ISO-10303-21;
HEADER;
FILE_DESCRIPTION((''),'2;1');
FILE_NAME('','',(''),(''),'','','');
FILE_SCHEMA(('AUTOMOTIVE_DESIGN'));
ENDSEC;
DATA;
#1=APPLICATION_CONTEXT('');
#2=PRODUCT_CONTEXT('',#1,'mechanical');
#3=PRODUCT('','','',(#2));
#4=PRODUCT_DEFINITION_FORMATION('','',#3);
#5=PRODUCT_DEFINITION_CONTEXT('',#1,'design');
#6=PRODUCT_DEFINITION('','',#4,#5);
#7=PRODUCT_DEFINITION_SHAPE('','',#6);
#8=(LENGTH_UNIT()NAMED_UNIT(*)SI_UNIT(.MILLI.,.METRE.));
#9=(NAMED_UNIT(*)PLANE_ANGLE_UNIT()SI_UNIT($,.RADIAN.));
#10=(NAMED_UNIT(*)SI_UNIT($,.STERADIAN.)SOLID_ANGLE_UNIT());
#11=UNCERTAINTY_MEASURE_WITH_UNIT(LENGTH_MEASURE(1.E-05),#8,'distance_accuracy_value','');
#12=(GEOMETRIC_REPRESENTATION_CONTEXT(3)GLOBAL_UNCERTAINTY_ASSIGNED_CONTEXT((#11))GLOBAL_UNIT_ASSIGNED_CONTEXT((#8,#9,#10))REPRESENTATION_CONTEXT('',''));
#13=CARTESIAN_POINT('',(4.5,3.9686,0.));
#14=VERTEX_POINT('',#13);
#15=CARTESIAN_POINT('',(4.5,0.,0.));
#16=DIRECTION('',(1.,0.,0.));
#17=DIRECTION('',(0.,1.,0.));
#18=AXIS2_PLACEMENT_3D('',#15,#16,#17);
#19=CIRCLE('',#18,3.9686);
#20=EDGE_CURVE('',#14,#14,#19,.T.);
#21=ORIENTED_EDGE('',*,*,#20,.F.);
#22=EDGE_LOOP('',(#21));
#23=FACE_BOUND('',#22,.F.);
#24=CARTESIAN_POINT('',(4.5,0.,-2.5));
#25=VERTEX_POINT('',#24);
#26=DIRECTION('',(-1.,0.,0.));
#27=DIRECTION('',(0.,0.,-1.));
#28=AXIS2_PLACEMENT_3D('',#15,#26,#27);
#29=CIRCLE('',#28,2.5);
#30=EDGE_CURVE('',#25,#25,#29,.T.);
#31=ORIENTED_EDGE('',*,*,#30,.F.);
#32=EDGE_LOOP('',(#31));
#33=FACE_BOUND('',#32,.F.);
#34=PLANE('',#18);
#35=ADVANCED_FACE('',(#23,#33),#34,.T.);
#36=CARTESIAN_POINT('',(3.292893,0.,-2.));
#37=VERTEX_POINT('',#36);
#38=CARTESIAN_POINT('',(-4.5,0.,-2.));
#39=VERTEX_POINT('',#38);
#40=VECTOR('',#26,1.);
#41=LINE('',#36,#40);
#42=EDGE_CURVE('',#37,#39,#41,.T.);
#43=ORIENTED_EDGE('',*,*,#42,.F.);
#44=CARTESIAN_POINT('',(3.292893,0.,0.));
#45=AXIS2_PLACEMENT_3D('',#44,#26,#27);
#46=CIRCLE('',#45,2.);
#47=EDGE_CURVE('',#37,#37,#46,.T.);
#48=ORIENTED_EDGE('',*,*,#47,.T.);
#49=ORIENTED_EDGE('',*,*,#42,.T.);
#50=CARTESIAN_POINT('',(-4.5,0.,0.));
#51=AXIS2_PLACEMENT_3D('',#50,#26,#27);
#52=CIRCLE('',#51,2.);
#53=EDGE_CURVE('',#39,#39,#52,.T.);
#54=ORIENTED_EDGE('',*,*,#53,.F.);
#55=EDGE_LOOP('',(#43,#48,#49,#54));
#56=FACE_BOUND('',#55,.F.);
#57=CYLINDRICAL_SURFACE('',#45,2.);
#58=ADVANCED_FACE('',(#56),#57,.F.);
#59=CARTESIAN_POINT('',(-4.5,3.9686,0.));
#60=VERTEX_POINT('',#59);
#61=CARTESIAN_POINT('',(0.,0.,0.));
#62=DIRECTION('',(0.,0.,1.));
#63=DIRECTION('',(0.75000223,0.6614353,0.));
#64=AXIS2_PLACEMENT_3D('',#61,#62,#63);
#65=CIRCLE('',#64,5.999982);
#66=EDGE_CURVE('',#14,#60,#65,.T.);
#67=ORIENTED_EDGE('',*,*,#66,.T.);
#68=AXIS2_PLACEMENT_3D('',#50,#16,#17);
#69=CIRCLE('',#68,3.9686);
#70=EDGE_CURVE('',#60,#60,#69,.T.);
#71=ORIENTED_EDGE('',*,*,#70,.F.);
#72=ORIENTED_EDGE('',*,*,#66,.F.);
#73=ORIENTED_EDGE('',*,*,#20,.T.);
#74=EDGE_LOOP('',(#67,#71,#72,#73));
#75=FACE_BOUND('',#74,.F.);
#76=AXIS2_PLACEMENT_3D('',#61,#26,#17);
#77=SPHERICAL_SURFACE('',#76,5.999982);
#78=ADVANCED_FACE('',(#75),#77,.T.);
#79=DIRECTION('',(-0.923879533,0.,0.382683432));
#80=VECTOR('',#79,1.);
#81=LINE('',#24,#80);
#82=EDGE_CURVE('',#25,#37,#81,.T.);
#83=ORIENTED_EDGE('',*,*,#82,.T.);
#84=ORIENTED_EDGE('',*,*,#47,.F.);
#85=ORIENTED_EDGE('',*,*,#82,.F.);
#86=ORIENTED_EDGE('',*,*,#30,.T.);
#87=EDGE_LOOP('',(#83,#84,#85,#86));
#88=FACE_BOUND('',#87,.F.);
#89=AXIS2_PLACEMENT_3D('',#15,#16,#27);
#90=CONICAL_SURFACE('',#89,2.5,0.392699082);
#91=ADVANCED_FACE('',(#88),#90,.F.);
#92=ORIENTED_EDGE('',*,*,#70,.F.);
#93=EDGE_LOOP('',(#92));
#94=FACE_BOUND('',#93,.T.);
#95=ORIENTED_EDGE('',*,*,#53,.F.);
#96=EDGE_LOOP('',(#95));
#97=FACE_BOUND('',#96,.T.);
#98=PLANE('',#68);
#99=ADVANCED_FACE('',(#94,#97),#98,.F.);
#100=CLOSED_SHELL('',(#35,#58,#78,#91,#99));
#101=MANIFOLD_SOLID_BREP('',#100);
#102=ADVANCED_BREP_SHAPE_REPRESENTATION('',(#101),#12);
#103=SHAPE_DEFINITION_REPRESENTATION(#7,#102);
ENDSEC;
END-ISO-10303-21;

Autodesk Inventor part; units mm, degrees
ref_plane "YZ Plane" through (0, 0, 0) normal (1, 0, 0) x (0, 1, 0)
ref_plane "XZ Plane" through (0, 0, 0) normal (0, 1, 0) x (-1, 0, 0)
ref_plane "XY Plane" through (0, 0, 0) normal (0, 0, 1) x (1, 0, 0)
sketch "Sketch1" plane through (0, 0, 0) normal (0, 0, 1) x (1, 0, 0)
  arc A0 (-4.5, -3.9686) -> (4.5, -3.9686) centre (0, 0) ccw
  arc A1 (4.5, 3.9686) -> (-4.5, 3.9686) centre (0, 0) ccw
  line L0 (-4.5, 0) -> (-4.5, 3.9686)
  line L1 (-4.5, 0) -> (-4.5, -3.9686)
  line L2 (4.5, 0) -> (4.5, 3.9686)
  line L3 (4.5, 0) -> (4.5, -3.9686)
  arc A2 (-4.5, -3.9686) -> (4.5, -3.9686) centre (0, 0) ccw
  arc A3 (4.5, 3.9686) -> (-4.5, 3.9686) centre (0, 0) ccw
  line L4 (-4.5, 0) -> (4.5, 0)
revolve "Revolution1" [suppressed]
revolve "Revolution3" add sketch "Sketch1" angle 360 about axis through (-4.5, 0, 0) along (1, 0, 0) contours L0 A1 L2 L4
sketch "Sketch3" plane through (4.5, 0, 0) normal (1, 0, 0) x (0, 0, -1)
  point P0 (0, 0)
  point P1 (0, 0)
hole "Hole2" at (4.5, 0, 0) direction (-1, 0, 0) diameter 4 end through all countersink diameter 5 countersink angle 45
properties part number "esfera" material "Aluminum 6061-AHC"
